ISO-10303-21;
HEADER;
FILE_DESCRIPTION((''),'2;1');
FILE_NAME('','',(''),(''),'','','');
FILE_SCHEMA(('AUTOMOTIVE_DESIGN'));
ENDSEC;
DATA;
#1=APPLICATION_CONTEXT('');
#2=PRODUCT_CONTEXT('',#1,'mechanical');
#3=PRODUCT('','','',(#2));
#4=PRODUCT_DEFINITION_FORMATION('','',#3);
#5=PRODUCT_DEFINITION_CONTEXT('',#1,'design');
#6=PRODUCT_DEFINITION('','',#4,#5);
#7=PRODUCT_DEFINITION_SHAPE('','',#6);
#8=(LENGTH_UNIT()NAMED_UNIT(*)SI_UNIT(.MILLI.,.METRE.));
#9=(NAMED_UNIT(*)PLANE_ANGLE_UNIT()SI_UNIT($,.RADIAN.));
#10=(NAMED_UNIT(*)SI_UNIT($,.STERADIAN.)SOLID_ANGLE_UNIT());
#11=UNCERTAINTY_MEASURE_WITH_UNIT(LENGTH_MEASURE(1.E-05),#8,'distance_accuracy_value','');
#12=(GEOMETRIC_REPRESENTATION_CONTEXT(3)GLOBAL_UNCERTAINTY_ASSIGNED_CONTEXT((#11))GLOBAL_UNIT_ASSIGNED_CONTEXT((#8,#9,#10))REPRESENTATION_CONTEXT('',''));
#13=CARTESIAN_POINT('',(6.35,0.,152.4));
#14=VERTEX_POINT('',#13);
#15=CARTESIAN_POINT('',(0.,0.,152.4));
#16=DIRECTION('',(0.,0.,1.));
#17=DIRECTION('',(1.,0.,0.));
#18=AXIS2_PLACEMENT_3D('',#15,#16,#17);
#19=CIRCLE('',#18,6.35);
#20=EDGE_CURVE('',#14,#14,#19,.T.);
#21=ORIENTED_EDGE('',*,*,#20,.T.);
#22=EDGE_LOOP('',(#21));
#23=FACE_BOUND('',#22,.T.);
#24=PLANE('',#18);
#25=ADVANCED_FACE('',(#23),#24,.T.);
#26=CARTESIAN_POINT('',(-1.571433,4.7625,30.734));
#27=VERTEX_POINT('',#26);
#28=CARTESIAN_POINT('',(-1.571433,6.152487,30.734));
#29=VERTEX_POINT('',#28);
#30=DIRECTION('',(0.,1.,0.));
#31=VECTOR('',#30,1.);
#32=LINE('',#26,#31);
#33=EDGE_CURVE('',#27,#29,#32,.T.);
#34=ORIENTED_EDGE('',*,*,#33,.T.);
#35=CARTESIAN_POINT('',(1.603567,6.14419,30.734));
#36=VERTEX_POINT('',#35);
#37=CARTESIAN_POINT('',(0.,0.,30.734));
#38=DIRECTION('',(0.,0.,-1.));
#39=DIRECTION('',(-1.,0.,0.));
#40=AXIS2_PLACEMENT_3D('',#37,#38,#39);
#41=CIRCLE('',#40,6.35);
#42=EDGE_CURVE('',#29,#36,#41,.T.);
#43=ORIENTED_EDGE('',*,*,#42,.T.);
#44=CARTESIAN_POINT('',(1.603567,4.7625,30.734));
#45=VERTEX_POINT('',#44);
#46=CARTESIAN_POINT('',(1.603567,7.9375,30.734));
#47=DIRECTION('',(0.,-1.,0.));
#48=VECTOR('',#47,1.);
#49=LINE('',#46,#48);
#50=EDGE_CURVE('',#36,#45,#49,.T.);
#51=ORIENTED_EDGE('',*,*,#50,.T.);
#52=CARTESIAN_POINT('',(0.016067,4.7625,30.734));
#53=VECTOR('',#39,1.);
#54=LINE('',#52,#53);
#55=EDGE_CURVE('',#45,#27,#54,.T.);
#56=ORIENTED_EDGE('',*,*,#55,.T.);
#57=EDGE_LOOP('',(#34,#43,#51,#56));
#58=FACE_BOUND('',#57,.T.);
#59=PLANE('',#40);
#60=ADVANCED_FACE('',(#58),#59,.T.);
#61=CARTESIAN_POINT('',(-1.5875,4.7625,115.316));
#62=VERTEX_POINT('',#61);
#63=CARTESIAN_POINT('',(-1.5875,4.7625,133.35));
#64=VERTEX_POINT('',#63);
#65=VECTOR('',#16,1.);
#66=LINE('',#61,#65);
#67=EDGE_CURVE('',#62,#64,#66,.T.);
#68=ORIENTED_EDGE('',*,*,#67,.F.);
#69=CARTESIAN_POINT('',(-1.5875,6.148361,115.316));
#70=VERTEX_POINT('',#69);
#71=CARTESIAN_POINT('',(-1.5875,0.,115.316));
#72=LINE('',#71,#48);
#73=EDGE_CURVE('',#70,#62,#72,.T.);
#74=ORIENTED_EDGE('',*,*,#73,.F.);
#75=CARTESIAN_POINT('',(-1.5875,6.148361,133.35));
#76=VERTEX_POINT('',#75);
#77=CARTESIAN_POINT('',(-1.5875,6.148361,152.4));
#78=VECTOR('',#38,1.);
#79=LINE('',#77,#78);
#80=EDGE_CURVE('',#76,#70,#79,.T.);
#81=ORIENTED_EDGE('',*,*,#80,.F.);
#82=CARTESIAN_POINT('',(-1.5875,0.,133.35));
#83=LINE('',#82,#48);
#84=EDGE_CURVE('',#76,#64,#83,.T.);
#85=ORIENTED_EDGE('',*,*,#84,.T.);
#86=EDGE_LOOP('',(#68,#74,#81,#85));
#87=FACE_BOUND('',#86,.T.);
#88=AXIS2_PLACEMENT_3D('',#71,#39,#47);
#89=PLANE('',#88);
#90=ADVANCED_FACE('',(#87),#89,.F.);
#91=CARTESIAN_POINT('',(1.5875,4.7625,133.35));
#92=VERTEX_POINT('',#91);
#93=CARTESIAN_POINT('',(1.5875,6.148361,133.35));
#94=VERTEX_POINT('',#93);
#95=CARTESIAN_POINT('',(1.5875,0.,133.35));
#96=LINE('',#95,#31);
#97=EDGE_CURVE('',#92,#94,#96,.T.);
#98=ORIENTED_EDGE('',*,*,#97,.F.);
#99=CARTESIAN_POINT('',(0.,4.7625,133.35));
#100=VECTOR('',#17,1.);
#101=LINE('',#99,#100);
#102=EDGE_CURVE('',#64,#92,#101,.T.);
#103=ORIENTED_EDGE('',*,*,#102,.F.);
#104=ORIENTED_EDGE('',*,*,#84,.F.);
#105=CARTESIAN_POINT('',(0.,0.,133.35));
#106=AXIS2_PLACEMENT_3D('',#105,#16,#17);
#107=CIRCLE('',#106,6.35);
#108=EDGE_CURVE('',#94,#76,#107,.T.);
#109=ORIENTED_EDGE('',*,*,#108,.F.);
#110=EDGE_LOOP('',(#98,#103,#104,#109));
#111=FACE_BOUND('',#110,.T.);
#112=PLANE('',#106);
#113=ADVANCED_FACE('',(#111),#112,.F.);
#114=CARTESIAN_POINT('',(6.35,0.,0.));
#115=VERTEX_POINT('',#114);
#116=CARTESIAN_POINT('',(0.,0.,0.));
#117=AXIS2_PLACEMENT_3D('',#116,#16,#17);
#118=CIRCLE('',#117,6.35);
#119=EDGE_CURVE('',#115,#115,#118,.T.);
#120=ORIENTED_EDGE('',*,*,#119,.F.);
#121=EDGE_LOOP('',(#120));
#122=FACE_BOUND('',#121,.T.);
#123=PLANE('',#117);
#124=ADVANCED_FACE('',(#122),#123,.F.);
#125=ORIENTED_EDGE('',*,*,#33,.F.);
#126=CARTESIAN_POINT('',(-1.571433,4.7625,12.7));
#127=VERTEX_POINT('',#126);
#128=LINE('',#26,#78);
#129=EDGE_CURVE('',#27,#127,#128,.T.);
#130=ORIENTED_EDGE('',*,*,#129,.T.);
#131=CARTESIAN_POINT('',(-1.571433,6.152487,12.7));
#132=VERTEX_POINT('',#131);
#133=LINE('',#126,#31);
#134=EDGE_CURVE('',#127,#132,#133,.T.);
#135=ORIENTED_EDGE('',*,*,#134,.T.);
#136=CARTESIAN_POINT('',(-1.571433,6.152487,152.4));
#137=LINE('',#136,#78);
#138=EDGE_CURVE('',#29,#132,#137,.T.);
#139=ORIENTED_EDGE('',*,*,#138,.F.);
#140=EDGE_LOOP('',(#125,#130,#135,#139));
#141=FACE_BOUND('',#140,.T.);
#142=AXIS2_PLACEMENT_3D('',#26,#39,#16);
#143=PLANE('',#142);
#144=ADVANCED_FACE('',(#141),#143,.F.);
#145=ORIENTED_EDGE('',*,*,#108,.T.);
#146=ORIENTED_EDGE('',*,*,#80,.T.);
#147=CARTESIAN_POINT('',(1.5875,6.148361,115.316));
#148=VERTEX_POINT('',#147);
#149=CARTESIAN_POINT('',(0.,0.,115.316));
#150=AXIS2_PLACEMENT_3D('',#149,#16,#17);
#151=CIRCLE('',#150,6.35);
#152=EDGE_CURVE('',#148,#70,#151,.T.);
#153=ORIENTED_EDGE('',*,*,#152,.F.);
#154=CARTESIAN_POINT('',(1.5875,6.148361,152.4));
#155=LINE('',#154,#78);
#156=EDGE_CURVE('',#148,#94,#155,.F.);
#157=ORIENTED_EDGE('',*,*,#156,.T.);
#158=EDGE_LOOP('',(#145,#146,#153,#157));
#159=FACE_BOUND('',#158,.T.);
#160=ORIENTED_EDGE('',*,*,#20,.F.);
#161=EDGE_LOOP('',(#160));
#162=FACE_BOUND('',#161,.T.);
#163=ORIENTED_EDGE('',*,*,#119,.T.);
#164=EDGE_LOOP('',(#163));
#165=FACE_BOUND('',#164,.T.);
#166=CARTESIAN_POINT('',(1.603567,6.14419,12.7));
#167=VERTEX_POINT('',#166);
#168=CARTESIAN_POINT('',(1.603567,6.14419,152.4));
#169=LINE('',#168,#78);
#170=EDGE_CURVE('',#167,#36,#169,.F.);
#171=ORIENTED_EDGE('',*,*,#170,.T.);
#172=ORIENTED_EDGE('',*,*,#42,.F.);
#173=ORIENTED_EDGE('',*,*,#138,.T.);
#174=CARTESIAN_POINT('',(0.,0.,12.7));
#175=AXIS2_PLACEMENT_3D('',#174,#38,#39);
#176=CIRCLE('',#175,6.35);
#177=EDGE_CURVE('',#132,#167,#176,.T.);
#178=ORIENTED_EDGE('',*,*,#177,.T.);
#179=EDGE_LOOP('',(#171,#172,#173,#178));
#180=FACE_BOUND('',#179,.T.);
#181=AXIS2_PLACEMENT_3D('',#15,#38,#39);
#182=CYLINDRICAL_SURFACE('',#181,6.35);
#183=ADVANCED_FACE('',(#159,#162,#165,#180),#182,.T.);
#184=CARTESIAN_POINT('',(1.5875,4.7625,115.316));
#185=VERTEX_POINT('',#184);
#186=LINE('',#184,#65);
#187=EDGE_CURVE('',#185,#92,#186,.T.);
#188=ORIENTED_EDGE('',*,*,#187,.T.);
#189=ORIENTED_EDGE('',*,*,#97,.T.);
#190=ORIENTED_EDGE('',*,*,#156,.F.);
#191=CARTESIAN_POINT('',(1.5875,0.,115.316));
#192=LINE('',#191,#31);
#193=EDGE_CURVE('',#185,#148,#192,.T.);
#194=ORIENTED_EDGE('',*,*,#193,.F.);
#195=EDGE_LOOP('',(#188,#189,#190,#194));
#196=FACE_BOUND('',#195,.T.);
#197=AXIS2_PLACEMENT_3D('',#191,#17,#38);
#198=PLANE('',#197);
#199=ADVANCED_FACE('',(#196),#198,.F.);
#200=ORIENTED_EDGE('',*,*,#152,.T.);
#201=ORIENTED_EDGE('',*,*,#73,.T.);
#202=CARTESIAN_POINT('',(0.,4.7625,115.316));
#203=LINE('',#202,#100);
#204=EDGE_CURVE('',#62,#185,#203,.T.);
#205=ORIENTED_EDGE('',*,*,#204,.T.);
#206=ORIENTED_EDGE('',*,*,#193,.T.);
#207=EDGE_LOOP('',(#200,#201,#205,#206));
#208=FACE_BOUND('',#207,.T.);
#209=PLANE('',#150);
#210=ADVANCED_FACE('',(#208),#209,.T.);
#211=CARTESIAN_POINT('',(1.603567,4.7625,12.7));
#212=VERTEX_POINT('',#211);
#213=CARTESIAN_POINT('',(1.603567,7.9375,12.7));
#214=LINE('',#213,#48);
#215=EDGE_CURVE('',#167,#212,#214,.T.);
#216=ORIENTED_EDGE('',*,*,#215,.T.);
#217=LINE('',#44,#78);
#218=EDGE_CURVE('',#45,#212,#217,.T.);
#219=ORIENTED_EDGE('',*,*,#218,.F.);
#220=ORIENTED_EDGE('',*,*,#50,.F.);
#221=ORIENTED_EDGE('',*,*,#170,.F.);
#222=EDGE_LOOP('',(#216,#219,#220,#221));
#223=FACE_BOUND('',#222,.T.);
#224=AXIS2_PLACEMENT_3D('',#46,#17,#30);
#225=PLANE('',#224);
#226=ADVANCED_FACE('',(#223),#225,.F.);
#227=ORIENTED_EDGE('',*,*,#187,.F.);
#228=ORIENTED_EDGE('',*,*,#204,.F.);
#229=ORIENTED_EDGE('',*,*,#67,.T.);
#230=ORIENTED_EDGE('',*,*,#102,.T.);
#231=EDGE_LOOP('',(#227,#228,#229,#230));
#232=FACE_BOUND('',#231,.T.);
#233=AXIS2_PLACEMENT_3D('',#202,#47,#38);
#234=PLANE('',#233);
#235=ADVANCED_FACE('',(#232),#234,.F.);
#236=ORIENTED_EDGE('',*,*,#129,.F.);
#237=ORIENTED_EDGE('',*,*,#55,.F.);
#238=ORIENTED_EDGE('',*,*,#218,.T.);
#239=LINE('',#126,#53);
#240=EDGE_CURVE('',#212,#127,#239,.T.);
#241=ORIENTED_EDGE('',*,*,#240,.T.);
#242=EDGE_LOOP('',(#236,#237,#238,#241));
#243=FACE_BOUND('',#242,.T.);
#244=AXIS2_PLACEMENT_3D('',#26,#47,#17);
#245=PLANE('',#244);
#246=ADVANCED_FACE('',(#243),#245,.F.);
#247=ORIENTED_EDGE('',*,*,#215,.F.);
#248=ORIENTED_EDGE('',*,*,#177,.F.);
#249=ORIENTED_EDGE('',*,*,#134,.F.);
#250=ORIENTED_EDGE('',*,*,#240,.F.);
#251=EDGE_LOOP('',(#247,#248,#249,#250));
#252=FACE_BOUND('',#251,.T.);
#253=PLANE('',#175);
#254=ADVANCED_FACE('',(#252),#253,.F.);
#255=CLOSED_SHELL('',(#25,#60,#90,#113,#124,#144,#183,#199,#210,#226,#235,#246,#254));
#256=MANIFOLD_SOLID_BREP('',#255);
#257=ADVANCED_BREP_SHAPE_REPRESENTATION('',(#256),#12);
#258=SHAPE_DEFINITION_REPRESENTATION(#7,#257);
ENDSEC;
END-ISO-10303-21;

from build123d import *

# Parameters (mm, degrees)
SKETCH1_R           = 6.35
BOSS_EXTRUDE1_DEPTH = 152.4
CUT_EXTRUDE1_DEPTH  = 18.034
CUT_EXTRUDE2_DEPTH  = 18.034


with BuildPart() as part:
    # Sketch1 → Boss-Extrude1 (new body)
    with BuildSketch(Plane.XY):
        with Locations(Location((0, 0, 0), (0, 0, 180))):
            Circle(SKETCH1_R)
    extrude(amount=BOSS_EXTRUDE1_DEPTH)

    # Sketch2 → Cut-Extrude1 (cut)
    with BuildSketch(Plane(origin=(0, 0, 12.7), x_dir=(-1, 0, 0), z_dir=(0, 0, -1))):
        Polygon((1.571433325, 4.7625), (-0.016066675, 4.7625), (-1.603566675, 4.7625), (-1.603566675, 7.9375), (1.571433325, 7.9375), align=None)
    extrude(amount=-CUT_EXTRUDE1_DEPTH, mode=Mode.SUBTRACT)

    # Sketch3 → Cut-Extrude2 (cut)
    with BuildSketch(Plane.XY.offset(133.35)):
        Polygon((0, 4.7625), (1.5875, 4.7625), (1.5875, 7.9375), (-1.5875, 7.9375), (-1.5875, 4.7625), align=None)
    extrude(amount=-CUT_EXTRUDE2_DEPTH, mode=Mode.SUBTRACT)


solid = part.part
